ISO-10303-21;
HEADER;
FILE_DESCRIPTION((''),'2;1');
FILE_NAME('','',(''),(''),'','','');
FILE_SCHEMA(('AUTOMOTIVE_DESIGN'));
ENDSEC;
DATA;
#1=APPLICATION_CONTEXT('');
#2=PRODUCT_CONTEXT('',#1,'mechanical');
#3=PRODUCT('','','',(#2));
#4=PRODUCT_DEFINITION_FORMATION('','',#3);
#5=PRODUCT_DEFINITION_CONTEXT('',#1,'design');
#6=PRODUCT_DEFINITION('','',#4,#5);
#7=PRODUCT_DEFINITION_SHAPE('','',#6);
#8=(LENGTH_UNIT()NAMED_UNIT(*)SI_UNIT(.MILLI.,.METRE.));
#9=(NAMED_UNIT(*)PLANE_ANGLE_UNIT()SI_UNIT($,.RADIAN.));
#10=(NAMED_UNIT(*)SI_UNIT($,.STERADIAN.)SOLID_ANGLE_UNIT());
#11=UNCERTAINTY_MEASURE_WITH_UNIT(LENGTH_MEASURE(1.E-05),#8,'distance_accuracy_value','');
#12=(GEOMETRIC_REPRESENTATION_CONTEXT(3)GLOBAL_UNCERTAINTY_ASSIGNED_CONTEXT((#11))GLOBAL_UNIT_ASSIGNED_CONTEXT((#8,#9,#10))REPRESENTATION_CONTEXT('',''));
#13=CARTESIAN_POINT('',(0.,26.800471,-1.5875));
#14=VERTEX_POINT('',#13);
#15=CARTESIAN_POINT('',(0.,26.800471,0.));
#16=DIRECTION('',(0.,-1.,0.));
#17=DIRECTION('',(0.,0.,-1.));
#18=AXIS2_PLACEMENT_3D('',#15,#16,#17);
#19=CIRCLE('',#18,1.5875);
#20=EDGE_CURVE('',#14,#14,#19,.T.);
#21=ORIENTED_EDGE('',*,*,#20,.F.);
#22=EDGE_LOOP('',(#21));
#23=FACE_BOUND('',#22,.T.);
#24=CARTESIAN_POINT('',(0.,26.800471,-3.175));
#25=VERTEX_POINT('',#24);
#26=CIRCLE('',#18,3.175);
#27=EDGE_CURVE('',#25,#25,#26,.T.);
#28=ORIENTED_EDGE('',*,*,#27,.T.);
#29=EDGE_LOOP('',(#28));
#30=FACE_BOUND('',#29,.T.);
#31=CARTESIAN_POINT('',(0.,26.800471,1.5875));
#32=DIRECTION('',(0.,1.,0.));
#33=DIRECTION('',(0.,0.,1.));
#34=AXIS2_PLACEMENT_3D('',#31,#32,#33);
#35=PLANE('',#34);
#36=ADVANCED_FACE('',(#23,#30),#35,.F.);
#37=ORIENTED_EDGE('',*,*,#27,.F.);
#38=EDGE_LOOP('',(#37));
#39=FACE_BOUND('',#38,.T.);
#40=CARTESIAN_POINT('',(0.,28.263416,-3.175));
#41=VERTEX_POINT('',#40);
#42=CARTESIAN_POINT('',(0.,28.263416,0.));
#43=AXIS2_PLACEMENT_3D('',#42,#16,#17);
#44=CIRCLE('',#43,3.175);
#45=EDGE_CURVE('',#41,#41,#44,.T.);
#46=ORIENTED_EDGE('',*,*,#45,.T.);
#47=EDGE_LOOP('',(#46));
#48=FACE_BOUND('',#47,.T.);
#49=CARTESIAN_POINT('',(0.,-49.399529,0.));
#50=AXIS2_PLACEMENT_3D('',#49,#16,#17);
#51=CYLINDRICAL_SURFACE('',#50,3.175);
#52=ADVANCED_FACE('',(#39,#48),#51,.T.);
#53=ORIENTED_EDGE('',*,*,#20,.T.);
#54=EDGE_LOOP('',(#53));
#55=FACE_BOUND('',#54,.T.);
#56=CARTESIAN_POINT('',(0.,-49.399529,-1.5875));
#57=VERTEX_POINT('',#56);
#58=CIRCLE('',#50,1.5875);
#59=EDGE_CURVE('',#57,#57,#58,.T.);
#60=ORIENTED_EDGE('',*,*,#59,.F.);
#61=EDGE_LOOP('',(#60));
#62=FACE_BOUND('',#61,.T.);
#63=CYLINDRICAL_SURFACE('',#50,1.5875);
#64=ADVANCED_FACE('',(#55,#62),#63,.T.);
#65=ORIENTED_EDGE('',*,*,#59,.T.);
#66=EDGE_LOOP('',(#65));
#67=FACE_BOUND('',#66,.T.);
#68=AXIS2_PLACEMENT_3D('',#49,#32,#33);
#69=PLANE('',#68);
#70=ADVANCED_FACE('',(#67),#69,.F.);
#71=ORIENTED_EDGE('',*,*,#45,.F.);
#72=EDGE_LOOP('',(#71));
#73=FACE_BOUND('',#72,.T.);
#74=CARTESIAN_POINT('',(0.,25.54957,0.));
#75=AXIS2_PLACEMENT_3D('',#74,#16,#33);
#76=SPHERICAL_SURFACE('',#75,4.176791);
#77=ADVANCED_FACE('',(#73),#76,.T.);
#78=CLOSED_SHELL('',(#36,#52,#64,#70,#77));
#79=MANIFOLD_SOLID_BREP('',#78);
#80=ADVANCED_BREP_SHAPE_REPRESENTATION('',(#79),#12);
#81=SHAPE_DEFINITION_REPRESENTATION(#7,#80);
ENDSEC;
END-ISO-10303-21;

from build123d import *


with BuildPart() as part:
    # Sketch3 → Revolve3 (revolve)
    with BuildSketch(Plane(origin=(0, 0, 0), x_dir=(0, 0, -1), z_dir=(1, 0, 0))):
        with BuildLine():
            Line((0, -49.399528775), (-1.5875, -49.399528775))
            Line((-1.5875, -49.399528775), (-1.5875, 26.800471225))
            Line((-1.5875, 26.800471225), (-3.175, 26.800471225))
            Line((-3.175, 26.800471225), (-3.175, 28.263416417))
            ThreePointArc((-3.175, 28.263416417), (-1.747915447, 29.343035373), (0, 29.726361609))
            Line((0, 29.726361609), (0, -49.399528775))
        make_face()
    revolve(axis=Axis((0, -49.399528775, 0), (0, 1, 0)))


solid = part.part
